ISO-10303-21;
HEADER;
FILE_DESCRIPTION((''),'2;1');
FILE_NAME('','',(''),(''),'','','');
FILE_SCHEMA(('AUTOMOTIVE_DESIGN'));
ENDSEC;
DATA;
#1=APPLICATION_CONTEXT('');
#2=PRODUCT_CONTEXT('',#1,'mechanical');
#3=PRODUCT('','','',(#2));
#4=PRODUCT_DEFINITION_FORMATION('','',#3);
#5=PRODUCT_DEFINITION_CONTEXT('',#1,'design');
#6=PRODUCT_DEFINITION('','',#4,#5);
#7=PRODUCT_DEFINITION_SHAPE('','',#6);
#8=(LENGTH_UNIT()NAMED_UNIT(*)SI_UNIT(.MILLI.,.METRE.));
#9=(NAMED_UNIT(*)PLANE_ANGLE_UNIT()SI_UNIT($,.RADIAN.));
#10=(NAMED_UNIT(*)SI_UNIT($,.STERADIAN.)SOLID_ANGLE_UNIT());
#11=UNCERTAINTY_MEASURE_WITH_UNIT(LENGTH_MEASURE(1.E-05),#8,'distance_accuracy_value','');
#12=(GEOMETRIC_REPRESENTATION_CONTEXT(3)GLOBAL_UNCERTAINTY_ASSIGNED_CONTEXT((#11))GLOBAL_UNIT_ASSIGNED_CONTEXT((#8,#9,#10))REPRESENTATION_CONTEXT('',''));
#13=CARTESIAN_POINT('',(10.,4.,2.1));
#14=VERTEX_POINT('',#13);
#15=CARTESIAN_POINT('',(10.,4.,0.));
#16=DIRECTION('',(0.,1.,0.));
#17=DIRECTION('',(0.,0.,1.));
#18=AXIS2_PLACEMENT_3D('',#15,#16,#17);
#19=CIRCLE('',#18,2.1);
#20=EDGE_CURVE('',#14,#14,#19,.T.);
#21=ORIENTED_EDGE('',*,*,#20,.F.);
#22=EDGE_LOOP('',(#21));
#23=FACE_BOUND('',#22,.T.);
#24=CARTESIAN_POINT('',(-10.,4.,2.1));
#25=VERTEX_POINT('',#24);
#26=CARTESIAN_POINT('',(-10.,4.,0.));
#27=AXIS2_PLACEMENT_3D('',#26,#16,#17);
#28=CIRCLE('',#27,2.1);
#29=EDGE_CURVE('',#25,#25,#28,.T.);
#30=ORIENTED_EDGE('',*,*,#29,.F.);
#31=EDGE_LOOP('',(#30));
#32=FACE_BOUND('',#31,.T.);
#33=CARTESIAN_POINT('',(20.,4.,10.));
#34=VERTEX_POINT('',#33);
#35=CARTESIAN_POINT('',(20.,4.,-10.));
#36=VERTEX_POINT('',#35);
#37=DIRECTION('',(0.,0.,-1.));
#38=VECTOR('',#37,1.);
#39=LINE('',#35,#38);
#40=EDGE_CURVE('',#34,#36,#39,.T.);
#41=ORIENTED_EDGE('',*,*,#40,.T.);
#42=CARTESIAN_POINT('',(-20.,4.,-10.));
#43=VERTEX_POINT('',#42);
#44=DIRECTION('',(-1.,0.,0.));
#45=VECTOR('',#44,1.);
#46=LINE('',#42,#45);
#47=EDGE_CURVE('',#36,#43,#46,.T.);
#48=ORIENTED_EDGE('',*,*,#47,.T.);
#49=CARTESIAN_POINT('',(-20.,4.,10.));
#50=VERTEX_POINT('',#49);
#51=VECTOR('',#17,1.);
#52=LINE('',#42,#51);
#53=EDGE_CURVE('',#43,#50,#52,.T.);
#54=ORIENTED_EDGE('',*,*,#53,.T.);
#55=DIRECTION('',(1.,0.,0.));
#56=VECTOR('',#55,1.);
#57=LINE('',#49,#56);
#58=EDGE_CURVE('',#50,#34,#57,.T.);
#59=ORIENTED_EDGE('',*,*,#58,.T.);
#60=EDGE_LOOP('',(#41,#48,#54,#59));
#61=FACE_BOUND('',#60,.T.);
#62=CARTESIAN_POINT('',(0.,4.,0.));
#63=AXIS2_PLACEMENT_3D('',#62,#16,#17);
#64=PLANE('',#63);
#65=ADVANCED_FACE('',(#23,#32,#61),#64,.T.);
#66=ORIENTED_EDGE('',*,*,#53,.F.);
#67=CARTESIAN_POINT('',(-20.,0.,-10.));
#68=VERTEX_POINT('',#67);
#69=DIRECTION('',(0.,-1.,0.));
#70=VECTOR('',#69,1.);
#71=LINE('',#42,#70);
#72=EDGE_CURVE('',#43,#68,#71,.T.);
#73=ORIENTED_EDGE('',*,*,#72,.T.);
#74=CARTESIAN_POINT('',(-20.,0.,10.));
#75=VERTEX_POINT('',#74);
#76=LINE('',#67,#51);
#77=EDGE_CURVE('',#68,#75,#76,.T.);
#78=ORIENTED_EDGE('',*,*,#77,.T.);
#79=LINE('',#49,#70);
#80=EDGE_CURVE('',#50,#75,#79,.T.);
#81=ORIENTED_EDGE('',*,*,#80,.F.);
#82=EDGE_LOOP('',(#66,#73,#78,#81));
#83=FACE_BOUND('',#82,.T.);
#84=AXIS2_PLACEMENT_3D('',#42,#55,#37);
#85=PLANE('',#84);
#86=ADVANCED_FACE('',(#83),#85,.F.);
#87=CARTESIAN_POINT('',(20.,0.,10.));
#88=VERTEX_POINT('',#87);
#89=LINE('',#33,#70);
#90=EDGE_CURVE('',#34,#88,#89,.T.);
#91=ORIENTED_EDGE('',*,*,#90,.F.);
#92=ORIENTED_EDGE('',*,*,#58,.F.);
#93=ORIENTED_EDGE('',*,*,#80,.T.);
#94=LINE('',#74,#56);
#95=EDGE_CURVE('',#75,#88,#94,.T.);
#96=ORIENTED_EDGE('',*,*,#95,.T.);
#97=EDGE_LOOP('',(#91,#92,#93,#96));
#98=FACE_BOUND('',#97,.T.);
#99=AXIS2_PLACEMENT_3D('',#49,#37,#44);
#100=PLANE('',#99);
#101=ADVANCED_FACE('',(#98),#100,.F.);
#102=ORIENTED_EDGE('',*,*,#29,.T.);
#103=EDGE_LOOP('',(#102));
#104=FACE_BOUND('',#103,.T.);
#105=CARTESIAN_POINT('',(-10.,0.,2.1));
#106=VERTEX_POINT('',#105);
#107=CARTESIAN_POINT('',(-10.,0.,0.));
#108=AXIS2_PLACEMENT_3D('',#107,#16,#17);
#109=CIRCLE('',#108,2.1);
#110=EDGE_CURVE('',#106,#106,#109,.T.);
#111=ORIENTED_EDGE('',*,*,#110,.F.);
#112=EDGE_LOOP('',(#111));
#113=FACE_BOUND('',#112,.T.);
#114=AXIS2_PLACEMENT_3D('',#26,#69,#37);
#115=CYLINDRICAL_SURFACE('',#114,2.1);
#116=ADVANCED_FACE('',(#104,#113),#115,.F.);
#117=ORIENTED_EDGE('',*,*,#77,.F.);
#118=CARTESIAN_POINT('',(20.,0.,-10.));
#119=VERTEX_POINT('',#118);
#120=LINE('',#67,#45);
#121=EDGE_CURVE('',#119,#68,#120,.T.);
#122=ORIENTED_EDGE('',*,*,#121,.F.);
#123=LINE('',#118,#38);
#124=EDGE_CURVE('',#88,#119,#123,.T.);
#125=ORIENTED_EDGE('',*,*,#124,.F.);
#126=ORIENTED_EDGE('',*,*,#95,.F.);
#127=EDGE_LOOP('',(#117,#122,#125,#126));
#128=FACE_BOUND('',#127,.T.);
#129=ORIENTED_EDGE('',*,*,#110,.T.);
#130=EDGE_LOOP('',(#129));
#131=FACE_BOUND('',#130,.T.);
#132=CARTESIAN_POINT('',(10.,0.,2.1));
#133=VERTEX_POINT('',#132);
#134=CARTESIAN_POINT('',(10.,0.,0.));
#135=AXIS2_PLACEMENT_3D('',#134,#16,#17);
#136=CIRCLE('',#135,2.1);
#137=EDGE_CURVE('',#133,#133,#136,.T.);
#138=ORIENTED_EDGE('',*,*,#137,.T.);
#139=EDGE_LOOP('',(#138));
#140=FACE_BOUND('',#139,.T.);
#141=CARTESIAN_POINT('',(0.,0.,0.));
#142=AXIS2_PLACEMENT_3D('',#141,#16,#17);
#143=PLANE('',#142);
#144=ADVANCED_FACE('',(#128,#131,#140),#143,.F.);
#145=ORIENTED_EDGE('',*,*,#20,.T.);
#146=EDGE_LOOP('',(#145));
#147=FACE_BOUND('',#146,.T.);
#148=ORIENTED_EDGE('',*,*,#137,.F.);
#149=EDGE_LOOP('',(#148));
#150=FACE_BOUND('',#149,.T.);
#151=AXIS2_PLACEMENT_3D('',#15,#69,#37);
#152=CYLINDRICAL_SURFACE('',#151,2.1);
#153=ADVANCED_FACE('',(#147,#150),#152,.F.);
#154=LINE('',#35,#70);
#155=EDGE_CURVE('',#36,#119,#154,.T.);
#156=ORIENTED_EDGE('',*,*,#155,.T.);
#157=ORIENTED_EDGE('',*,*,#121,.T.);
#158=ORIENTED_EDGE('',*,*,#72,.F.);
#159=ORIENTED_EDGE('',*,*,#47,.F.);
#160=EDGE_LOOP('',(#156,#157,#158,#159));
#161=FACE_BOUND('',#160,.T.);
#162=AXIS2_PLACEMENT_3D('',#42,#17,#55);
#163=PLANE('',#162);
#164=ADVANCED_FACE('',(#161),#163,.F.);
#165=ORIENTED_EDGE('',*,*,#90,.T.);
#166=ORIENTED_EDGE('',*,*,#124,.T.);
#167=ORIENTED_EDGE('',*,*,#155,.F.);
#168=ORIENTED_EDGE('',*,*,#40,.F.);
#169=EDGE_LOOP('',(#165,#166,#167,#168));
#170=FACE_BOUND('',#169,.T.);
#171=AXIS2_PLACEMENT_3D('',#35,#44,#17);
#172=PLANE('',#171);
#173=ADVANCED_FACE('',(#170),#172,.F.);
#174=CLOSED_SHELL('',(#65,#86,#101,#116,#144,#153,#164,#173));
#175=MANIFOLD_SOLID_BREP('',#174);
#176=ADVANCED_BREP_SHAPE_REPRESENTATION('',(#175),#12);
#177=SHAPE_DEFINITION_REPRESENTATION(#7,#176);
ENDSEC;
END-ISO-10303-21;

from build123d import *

# Parameters (mm, degrees)
SKETCH_1_W      = 40
SKETCH_1_H      = 20
SKETCH_1_R      = 2.1
EXTRUDE_1_DEPTH = 4


with BuildPart() as part:
    # 草图1 → 凸台-拉伸1 (new body)
    with BuildSketch(Plane(origin=(0, 0, 0), x_dir=(1, 0, 0), z_dir=(0, 1, 0))):
        Rectangle(SKETCH_1_W, SKETCH_1_H)
        with Locations(Location((-10, 0, 0), (0, 0, 270))):
            Circle(SKETCH_1_R, mode=Mode.SUBTRACT)
        with Locations(Location((10, 0, 0), (0, 0, 270))):
            Circle(SKETCH_1_R, mode=Mode.SUBTRACT)
    extrude(amount=EXTRUDE_1_DEPTH)


solid = part.part
